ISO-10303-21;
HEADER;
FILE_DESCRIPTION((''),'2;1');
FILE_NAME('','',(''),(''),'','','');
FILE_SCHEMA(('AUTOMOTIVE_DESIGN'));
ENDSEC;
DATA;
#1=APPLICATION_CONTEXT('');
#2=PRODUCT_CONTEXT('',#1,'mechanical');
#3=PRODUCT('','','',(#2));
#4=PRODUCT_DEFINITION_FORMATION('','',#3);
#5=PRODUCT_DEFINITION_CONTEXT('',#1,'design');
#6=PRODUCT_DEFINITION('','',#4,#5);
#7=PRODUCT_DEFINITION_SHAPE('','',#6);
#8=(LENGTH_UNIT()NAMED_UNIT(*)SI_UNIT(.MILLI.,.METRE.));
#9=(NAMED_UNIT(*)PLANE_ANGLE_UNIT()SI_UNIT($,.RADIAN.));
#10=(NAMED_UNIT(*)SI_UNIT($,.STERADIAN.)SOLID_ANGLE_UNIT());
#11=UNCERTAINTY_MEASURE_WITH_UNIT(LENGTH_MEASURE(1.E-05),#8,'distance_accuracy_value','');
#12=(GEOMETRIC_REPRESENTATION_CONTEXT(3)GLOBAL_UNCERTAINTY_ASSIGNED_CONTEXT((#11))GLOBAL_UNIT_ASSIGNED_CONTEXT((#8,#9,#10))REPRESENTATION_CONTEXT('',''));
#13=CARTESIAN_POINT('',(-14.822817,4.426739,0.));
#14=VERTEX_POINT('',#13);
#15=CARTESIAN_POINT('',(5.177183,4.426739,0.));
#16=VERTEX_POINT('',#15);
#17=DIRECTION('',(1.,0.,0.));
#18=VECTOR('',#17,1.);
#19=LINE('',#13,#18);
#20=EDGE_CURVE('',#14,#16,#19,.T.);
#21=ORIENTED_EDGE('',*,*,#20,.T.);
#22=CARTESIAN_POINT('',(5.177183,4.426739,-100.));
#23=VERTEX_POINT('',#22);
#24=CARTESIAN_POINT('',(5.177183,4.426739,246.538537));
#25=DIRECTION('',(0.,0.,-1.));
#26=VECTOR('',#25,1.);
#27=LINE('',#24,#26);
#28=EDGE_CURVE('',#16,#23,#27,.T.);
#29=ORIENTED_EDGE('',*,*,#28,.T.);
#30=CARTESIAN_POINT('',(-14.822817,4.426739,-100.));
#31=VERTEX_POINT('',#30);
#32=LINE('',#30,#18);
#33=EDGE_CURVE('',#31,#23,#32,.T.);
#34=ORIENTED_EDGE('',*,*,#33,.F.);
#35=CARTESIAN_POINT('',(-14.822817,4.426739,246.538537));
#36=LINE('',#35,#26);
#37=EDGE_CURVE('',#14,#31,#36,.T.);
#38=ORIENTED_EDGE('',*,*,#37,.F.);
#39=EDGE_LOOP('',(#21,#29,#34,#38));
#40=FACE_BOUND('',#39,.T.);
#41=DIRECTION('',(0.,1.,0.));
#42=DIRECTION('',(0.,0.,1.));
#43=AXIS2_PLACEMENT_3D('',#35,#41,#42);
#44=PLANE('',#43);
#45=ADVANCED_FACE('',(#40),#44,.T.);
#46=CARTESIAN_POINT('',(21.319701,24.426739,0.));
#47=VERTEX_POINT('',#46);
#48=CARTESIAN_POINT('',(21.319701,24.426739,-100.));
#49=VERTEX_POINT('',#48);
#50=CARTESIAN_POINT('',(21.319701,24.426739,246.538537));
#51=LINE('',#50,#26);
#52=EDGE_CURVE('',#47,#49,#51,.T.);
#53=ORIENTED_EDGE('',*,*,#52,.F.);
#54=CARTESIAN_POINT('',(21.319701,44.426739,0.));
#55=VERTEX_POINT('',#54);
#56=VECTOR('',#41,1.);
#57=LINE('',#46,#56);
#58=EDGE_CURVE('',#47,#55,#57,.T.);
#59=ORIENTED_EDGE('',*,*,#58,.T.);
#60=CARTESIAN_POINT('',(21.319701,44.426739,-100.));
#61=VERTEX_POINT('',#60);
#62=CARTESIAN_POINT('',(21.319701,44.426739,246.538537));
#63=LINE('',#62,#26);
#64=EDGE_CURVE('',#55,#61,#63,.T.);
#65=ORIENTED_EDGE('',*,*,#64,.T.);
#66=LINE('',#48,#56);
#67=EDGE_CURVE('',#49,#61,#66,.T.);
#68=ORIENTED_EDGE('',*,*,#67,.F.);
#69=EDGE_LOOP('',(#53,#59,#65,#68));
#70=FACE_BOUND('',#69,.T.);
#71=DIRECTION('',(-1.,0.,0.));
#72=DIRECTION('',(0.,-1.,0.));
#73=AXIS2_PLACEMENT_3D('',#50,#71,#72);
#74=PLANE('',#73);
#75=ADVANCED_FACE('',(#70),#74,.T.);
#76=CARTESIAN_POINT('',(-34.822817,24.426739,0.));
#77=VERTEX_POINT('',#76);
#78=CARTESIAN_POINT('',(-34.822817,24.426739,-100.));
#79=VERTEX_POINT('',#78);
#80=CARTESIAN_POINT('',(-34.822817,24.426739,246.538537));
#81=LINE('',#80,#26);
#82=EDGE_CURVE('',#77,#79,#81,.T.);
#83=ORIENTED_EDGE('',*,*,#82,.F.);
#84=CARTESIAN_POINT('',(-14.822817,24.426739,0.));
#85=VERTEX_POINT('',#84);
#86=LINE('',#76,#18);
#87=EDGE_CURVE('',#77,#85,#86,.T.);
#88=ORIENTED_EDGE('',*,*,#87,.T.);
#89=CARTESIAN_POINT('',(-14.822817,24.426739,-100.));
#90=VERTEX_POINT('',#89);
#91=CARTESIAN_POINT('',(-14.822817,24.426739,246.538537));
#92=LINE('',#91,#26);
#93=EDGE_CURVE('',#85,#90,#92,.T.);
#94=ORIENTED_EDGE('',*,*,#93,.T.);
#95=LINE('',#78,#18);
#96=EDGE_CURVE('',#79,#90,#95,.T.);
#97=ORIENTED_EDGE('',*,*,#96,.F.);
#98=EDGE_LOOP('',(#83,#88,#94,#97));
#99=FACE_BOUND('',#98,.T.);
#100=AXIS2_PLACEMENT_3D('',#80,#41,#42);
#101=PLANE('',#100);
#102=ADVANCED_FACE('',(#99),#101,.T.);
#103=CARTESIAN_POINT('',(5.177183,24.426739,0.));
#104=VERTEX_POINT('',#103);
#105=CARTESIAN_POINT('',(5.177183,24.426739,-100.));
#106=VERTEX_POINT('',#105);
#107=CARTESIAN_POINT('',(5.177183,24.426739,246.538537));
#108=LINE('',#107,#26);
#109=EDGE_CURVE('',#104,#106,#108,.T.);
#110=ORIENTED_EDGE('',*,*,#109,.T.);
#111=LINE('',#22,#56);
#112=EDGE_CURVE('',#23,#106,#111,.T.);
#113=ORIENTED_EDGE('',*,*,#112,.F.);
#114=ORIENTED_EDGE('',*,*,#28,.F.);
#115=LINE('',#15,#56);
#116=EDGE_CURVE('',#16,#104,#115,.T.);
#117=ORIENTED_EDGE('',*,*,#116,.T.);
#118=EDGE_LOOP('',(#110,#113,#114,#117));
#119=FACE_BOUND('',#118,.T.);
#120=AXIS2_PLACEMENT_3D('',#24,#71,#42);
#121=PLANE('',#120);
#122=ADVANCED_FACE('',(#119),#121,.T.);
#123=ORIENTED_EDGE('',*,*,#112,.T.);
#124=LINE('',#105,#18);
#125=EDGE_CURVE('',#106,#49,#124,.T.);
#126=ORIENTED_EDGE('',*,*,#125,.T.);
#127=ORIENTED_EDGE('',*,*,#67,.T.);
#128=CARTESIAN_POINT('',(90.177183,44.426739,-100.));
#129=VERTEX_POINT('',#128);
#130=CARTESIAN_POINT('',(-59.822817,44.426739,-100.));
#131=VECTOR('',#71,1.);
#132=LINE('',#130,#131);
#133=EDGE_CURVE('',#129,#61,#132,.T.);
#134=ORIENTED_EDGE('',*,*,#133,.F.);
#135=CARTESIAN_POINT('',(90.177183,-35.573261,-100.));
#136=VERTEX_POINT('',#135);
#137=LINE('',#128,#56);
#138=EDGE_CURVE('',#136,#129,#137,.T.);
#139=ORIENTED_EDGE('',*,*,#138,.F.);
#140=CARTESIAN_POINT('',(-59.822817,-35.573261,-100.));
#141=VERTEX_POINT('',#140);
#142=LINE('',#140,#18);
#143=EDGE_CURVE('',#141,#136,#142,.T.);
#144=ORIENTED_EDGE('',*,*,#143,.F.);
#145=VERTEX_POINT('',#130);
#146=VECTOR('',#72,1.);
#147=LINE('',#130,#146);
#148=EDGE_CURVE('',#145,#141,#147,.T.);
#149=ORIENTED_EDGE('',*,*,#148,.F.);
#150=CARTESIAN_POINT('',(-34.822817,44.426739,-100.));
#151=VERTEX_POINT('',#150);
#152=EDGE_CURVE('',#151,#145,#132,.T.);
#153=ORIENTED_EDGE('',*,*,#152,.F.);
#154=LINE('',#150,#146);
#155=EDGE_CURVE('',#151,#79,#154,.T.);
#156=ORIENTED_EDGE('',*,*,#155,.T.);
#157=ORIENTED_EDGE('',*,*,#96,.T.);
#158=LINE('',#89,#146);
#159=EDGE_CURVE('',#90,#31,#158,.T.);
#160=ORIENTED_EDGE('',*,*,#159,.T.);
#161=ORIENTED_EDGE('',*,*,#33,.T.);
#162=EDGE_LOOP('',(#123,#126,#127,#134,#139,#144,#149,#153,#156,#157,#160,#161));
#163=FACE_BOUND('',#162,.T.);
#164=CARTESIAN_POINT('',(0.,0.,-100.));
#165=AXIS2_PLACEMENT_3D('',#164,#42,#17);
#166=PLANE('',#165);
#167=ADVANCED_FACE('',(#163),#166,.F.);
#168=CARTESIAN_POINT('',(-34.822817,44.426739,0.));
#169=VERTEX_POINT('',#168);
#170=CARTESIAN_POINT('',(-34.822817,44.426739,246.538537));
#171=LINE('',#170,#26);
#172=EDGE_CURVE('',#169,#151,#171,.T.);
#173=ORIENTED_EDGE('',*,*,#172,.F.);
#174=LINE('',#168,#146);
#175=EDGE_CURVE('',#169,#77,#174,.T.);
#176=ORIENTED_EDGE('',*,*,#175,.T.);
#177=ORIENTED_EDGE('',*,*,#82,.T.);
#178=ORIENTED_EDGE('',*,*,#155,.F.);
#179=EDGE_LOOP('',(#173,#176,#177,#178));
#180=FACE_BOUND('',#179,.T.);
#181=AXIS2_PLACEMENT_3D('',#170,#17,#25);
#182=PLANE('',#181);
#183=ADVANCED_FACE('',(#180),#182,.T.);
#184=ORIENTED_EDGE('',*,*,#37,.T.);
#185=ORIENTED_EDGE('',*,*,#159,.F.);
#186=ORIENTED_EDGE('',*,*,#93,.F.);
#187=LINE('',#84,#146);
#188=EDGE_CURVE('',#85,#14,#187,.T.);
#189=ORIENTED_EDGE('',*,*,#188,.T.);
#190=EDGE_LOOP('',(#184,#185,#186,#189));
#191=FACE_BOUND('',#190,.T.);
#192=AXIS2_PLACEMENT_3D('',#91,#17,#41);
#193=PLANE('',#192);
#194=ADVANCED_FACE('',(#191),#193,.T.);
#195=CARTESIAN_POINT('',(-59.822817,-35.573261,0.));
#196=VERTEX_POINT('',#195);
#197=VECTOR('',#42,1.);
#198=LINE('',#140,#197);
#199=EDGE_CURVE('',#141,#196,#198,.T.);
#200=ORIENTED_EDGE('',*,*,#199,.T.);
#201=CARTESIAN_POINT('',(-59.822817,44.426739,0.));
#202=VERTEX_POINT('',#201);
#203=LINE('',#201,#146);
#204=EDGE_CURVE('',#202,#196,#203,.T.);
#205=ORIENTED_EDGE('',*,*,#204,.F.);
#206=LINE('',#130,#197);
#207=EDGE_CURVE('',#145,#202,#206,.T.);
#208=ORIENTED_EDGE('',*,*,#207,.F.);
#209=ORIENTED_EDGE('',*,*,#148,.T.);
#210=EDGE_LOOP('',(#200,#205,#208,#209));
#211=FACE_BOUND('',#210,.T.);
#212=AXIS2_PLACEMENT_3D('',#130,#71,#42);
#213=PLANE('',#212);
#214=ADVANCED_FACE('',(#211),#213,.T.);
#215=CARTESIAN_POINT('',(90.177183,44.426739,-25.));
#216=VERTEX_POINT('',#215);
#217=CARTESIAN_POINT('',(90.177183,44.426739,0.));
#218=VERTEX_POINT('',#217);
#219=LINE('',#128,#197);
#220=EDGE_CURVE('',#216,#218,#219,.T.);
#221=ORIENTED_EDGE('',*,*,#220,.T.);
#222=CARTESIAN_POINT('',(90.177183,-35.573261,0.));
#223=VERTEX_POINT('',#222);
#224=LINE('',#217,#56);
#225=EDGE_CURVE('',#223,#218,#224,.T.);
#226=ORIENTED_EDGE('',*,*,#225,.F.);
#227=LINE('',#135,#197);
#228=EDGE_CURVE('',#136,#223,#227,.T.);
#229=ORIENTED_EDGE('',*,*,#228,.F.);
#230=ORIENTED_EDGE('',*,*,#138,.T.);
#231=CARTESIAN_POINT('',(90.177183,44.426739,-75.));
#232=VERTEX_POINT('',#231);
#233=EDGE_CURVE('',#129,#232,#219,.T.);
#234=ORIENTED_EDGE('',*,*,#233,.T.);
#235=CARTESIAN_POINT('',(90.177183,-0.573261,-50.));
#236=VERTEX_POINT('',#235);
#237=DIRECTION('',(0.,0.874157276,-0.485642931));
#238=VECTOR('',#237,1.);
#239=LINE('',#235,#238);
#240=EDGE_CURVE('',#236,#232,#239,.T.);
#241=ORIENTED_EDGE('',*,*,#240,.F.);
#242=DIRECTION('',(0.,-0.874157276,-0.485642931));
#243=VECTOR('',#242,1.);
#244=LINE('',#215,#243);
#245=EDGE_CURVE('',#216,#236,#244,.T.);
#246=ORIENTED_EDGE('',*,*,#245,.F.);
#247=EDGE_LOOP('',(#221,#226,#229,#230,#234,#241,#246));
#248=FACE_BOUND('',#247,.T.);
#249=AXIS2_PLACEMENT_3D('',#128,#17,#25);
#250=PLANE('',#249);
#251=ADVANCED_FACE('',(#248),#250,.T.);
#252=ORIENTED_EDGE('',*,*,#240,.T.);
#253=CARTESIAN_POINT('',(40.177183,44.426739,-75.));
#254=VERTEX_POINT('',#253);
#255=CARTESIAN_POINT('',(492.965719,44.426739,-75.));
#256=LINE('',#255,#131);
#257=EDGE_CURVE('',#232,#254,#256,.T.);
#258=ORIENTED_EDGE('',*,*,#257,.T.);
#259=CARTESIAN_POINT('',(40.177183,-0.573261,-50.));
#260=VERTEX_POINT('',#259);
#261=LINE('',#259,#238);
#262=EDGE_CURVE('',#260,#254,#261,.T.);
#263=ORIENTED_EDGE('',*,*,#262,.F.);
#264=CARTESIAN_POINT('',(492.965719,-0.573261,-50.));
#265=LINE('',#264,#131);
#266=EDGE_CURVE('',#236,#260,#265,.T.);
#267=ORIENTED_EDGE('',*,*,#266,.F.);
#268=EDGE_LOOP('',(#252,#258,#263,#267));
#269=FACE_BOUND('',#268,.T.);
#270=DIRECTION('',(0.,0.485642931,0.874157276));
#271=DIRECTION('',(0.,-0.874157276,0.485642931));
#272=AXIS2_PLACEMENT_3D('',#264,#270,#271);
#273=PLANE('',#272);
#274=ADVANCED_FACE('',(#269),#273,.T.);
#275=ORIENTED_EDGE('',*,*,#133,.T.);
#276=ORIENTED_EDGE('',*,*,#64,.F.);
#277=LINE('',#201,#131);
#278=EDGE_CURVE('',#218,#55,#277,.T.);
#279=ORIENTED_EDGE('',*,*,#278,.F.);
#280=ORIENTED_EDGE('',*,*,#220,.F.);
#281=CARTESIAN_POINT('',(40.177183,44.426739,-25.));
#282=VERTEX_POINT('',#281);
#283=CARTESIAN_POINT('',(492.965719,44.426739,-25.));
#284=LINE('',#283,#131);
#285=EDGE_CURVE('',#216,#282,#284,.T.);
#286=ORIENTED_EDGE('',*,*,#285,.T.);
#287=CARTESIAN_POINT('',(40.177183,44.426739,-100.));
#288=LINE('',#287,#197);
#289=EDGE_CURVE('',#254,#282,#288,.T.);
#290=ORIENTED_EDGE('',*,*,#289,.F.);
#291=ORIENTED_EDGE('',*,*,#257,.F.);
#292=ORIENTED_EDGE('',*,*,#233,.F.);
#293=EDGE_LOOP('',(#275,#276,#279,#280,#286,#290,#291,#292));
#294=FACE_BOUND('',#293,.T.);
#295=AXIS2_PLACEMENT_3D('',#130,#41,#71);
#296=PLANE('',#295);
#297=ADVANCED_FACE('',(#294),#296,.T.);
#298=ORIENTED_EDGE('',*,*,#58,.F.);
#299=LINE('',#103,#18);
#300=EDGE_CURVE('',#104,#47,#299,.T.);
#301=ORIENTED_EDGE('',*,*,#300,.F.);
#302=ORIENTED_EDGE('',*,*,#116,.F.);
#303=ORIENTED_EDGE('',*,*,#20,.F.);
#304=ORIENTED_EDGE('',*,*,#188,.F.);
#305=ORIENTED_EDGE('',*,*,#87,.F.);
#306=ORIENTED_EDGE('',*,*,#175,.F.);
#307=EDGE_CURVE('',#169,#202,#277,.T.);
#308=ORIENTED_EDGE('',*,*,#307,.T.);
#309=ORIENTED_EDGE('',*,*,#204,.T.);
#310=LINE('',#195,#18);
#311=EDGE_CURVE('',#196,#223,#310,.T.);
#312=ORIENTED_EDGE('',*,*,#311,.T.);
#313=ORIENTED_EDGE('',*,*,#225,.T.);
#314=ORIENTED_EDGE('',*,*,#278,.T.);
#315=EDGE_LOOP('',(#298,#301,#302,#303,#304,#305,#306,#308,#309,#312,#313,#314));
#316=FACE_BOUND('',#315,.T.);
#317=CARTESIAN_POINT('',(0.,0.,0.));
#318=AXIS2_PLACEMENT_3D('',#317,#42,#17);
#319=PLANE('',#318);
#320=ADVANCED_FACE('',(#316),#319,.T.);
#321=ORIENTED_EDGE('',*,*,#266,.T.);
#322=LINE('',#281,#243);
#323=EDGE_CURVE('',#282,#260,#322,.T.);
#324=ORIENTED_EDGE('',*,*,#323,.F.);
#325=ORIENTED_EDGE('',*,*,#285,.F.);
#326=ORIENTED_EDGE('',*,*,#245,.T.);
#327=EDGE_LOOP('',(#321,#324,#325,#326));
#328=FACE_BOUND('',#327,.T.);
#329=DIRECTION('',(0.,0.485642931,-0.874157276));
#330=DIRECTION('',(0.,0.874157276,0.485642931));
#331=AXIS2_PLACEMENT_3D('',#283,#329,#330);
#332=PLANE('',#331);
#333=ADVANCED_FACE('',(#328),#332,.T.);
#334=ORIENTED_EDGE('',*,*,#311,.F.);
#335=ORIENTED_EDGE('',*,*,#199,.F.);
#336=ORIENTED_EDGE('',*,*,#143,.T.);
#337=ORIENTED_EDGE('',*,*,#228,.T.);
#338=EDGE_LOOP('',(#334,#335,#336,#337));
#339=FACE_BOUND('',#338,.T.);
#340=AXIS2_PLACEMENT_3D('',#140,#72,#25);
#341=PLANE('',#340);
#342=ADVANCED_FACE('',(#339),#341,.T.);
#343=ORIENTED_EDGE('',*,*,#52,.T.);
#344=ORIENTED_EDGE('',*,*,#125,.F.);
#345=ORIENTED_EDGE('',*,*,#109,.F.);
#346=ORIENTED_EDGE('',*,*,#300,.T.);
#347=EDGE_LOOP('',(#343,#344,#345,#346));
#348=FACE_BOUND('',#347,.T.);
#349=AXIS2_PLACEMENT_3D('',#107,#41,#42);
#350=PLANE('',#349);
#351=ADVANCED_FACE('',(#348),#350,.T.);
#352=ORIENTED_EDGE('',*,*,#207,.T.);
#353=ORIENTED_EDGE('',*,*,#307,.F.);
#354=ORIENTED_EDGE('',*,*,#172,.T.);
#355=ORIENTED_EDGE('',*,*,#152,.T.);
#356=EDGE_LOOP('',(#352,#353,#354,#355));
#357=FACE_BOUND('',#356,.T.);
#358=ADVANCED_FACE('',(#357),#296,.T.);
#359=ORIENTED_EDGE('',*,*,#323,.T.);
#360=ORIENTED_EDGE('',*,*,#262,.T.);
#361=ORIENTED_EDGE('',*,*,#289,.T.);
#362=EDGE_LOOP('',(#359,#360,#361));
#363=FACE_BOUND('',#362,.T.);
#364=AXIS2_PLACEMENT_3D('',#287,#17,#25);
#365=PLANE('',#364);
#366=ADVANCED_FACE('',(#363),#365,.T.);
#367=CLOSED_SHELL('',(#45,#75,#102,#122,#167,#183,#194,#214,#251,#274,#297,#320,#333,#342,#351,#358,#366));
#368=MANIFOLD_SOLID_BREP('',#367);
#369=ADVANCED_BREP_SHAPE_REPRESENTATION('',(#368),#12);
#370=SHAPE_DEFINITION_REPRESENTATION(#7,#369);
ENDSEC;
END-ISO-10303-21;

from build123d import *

# Parameters (mm, degrees)
SKETCH2_W               = 150
SKETCH2_H               = 80
BOSS_EXTRUDE1_DEPTH     = 100
CUT_EXTRUDE1_DEPTH      = 142.794426811
CUT_EXTRUDE1_DEPTH_BACK = 100
CUT_EXTRUDE2_DEPTH      = 186.671040169
CUT_EXTRUDE2_DEPTH_BACK = 50


with BuildPart() as part:
    # Sketch2 → Boss-Extrude1 (new body)
    with BuildSketch(Plane.XY):
        with Locations((15.177182909, 4.426739215)):
            Rectangle(SKETCH2_W, SKETCH2_H)
    extrude(amount=-BOSS_EXTRUDE1_DEPTH)

    # Sketch3 → Cut-Extrude1 (cut, two sides: drawn at the far end of the back side and taken through both)
    with BuildSketch(Plane.XY.offset(-CUT_EXTRUDE1_DEPTH_BACK)):
        Polygon((-409.822817091, 44.426739215), (-59.822817091, 44.426739215), (-34.822817091, 44.426739215), (-34.822817091, 24.426739215), (-14.822817091, 24.426739215), (-14.822817091, 4.426739215), (5.177182909, 4.426739215), (5.177182909, 24.426739215), (21.319701193, 24.426739215), (21.319701193, 44.426739215), (21.319701193, 394.426739215), (-419.864809368, 937.89359896), (-851.007327651, 587.89359896), align=None)
    extrude(amount=CUT_EXTRUDE1_DEPTH + CUT_EXTRUDE1_DEPTH_BACK, mode=Mode.SUBTRACT)

    # Sketch5 → Cut-Extrude2 (cut, two sides: drawn at the far end of the back side and taken through both)
    with BuildSketch(Plane(origin=(90.177182909, 0, 0), x_dir=(0, 0, -1), z_dir=(1, 0, 0)).offset(-CUT_EXTRUDE2_DEPTH_BACK)):
        Polygon((-86.366239295, 244.885969946), (25, 44.426739215), (50, -0.573260785), (75, 44.426739215), (186.366239295, 244.885969946), (186.366239295, 703.520213935), (-86.366239295, 703.520213935), align=None)
    extrude(amount=CUT_EXTRUDE2_DEPTH + CUT_EXTRUDE2_DEPTH_BACK, mode=Mode.SUBTRACT)


solid = part.part
